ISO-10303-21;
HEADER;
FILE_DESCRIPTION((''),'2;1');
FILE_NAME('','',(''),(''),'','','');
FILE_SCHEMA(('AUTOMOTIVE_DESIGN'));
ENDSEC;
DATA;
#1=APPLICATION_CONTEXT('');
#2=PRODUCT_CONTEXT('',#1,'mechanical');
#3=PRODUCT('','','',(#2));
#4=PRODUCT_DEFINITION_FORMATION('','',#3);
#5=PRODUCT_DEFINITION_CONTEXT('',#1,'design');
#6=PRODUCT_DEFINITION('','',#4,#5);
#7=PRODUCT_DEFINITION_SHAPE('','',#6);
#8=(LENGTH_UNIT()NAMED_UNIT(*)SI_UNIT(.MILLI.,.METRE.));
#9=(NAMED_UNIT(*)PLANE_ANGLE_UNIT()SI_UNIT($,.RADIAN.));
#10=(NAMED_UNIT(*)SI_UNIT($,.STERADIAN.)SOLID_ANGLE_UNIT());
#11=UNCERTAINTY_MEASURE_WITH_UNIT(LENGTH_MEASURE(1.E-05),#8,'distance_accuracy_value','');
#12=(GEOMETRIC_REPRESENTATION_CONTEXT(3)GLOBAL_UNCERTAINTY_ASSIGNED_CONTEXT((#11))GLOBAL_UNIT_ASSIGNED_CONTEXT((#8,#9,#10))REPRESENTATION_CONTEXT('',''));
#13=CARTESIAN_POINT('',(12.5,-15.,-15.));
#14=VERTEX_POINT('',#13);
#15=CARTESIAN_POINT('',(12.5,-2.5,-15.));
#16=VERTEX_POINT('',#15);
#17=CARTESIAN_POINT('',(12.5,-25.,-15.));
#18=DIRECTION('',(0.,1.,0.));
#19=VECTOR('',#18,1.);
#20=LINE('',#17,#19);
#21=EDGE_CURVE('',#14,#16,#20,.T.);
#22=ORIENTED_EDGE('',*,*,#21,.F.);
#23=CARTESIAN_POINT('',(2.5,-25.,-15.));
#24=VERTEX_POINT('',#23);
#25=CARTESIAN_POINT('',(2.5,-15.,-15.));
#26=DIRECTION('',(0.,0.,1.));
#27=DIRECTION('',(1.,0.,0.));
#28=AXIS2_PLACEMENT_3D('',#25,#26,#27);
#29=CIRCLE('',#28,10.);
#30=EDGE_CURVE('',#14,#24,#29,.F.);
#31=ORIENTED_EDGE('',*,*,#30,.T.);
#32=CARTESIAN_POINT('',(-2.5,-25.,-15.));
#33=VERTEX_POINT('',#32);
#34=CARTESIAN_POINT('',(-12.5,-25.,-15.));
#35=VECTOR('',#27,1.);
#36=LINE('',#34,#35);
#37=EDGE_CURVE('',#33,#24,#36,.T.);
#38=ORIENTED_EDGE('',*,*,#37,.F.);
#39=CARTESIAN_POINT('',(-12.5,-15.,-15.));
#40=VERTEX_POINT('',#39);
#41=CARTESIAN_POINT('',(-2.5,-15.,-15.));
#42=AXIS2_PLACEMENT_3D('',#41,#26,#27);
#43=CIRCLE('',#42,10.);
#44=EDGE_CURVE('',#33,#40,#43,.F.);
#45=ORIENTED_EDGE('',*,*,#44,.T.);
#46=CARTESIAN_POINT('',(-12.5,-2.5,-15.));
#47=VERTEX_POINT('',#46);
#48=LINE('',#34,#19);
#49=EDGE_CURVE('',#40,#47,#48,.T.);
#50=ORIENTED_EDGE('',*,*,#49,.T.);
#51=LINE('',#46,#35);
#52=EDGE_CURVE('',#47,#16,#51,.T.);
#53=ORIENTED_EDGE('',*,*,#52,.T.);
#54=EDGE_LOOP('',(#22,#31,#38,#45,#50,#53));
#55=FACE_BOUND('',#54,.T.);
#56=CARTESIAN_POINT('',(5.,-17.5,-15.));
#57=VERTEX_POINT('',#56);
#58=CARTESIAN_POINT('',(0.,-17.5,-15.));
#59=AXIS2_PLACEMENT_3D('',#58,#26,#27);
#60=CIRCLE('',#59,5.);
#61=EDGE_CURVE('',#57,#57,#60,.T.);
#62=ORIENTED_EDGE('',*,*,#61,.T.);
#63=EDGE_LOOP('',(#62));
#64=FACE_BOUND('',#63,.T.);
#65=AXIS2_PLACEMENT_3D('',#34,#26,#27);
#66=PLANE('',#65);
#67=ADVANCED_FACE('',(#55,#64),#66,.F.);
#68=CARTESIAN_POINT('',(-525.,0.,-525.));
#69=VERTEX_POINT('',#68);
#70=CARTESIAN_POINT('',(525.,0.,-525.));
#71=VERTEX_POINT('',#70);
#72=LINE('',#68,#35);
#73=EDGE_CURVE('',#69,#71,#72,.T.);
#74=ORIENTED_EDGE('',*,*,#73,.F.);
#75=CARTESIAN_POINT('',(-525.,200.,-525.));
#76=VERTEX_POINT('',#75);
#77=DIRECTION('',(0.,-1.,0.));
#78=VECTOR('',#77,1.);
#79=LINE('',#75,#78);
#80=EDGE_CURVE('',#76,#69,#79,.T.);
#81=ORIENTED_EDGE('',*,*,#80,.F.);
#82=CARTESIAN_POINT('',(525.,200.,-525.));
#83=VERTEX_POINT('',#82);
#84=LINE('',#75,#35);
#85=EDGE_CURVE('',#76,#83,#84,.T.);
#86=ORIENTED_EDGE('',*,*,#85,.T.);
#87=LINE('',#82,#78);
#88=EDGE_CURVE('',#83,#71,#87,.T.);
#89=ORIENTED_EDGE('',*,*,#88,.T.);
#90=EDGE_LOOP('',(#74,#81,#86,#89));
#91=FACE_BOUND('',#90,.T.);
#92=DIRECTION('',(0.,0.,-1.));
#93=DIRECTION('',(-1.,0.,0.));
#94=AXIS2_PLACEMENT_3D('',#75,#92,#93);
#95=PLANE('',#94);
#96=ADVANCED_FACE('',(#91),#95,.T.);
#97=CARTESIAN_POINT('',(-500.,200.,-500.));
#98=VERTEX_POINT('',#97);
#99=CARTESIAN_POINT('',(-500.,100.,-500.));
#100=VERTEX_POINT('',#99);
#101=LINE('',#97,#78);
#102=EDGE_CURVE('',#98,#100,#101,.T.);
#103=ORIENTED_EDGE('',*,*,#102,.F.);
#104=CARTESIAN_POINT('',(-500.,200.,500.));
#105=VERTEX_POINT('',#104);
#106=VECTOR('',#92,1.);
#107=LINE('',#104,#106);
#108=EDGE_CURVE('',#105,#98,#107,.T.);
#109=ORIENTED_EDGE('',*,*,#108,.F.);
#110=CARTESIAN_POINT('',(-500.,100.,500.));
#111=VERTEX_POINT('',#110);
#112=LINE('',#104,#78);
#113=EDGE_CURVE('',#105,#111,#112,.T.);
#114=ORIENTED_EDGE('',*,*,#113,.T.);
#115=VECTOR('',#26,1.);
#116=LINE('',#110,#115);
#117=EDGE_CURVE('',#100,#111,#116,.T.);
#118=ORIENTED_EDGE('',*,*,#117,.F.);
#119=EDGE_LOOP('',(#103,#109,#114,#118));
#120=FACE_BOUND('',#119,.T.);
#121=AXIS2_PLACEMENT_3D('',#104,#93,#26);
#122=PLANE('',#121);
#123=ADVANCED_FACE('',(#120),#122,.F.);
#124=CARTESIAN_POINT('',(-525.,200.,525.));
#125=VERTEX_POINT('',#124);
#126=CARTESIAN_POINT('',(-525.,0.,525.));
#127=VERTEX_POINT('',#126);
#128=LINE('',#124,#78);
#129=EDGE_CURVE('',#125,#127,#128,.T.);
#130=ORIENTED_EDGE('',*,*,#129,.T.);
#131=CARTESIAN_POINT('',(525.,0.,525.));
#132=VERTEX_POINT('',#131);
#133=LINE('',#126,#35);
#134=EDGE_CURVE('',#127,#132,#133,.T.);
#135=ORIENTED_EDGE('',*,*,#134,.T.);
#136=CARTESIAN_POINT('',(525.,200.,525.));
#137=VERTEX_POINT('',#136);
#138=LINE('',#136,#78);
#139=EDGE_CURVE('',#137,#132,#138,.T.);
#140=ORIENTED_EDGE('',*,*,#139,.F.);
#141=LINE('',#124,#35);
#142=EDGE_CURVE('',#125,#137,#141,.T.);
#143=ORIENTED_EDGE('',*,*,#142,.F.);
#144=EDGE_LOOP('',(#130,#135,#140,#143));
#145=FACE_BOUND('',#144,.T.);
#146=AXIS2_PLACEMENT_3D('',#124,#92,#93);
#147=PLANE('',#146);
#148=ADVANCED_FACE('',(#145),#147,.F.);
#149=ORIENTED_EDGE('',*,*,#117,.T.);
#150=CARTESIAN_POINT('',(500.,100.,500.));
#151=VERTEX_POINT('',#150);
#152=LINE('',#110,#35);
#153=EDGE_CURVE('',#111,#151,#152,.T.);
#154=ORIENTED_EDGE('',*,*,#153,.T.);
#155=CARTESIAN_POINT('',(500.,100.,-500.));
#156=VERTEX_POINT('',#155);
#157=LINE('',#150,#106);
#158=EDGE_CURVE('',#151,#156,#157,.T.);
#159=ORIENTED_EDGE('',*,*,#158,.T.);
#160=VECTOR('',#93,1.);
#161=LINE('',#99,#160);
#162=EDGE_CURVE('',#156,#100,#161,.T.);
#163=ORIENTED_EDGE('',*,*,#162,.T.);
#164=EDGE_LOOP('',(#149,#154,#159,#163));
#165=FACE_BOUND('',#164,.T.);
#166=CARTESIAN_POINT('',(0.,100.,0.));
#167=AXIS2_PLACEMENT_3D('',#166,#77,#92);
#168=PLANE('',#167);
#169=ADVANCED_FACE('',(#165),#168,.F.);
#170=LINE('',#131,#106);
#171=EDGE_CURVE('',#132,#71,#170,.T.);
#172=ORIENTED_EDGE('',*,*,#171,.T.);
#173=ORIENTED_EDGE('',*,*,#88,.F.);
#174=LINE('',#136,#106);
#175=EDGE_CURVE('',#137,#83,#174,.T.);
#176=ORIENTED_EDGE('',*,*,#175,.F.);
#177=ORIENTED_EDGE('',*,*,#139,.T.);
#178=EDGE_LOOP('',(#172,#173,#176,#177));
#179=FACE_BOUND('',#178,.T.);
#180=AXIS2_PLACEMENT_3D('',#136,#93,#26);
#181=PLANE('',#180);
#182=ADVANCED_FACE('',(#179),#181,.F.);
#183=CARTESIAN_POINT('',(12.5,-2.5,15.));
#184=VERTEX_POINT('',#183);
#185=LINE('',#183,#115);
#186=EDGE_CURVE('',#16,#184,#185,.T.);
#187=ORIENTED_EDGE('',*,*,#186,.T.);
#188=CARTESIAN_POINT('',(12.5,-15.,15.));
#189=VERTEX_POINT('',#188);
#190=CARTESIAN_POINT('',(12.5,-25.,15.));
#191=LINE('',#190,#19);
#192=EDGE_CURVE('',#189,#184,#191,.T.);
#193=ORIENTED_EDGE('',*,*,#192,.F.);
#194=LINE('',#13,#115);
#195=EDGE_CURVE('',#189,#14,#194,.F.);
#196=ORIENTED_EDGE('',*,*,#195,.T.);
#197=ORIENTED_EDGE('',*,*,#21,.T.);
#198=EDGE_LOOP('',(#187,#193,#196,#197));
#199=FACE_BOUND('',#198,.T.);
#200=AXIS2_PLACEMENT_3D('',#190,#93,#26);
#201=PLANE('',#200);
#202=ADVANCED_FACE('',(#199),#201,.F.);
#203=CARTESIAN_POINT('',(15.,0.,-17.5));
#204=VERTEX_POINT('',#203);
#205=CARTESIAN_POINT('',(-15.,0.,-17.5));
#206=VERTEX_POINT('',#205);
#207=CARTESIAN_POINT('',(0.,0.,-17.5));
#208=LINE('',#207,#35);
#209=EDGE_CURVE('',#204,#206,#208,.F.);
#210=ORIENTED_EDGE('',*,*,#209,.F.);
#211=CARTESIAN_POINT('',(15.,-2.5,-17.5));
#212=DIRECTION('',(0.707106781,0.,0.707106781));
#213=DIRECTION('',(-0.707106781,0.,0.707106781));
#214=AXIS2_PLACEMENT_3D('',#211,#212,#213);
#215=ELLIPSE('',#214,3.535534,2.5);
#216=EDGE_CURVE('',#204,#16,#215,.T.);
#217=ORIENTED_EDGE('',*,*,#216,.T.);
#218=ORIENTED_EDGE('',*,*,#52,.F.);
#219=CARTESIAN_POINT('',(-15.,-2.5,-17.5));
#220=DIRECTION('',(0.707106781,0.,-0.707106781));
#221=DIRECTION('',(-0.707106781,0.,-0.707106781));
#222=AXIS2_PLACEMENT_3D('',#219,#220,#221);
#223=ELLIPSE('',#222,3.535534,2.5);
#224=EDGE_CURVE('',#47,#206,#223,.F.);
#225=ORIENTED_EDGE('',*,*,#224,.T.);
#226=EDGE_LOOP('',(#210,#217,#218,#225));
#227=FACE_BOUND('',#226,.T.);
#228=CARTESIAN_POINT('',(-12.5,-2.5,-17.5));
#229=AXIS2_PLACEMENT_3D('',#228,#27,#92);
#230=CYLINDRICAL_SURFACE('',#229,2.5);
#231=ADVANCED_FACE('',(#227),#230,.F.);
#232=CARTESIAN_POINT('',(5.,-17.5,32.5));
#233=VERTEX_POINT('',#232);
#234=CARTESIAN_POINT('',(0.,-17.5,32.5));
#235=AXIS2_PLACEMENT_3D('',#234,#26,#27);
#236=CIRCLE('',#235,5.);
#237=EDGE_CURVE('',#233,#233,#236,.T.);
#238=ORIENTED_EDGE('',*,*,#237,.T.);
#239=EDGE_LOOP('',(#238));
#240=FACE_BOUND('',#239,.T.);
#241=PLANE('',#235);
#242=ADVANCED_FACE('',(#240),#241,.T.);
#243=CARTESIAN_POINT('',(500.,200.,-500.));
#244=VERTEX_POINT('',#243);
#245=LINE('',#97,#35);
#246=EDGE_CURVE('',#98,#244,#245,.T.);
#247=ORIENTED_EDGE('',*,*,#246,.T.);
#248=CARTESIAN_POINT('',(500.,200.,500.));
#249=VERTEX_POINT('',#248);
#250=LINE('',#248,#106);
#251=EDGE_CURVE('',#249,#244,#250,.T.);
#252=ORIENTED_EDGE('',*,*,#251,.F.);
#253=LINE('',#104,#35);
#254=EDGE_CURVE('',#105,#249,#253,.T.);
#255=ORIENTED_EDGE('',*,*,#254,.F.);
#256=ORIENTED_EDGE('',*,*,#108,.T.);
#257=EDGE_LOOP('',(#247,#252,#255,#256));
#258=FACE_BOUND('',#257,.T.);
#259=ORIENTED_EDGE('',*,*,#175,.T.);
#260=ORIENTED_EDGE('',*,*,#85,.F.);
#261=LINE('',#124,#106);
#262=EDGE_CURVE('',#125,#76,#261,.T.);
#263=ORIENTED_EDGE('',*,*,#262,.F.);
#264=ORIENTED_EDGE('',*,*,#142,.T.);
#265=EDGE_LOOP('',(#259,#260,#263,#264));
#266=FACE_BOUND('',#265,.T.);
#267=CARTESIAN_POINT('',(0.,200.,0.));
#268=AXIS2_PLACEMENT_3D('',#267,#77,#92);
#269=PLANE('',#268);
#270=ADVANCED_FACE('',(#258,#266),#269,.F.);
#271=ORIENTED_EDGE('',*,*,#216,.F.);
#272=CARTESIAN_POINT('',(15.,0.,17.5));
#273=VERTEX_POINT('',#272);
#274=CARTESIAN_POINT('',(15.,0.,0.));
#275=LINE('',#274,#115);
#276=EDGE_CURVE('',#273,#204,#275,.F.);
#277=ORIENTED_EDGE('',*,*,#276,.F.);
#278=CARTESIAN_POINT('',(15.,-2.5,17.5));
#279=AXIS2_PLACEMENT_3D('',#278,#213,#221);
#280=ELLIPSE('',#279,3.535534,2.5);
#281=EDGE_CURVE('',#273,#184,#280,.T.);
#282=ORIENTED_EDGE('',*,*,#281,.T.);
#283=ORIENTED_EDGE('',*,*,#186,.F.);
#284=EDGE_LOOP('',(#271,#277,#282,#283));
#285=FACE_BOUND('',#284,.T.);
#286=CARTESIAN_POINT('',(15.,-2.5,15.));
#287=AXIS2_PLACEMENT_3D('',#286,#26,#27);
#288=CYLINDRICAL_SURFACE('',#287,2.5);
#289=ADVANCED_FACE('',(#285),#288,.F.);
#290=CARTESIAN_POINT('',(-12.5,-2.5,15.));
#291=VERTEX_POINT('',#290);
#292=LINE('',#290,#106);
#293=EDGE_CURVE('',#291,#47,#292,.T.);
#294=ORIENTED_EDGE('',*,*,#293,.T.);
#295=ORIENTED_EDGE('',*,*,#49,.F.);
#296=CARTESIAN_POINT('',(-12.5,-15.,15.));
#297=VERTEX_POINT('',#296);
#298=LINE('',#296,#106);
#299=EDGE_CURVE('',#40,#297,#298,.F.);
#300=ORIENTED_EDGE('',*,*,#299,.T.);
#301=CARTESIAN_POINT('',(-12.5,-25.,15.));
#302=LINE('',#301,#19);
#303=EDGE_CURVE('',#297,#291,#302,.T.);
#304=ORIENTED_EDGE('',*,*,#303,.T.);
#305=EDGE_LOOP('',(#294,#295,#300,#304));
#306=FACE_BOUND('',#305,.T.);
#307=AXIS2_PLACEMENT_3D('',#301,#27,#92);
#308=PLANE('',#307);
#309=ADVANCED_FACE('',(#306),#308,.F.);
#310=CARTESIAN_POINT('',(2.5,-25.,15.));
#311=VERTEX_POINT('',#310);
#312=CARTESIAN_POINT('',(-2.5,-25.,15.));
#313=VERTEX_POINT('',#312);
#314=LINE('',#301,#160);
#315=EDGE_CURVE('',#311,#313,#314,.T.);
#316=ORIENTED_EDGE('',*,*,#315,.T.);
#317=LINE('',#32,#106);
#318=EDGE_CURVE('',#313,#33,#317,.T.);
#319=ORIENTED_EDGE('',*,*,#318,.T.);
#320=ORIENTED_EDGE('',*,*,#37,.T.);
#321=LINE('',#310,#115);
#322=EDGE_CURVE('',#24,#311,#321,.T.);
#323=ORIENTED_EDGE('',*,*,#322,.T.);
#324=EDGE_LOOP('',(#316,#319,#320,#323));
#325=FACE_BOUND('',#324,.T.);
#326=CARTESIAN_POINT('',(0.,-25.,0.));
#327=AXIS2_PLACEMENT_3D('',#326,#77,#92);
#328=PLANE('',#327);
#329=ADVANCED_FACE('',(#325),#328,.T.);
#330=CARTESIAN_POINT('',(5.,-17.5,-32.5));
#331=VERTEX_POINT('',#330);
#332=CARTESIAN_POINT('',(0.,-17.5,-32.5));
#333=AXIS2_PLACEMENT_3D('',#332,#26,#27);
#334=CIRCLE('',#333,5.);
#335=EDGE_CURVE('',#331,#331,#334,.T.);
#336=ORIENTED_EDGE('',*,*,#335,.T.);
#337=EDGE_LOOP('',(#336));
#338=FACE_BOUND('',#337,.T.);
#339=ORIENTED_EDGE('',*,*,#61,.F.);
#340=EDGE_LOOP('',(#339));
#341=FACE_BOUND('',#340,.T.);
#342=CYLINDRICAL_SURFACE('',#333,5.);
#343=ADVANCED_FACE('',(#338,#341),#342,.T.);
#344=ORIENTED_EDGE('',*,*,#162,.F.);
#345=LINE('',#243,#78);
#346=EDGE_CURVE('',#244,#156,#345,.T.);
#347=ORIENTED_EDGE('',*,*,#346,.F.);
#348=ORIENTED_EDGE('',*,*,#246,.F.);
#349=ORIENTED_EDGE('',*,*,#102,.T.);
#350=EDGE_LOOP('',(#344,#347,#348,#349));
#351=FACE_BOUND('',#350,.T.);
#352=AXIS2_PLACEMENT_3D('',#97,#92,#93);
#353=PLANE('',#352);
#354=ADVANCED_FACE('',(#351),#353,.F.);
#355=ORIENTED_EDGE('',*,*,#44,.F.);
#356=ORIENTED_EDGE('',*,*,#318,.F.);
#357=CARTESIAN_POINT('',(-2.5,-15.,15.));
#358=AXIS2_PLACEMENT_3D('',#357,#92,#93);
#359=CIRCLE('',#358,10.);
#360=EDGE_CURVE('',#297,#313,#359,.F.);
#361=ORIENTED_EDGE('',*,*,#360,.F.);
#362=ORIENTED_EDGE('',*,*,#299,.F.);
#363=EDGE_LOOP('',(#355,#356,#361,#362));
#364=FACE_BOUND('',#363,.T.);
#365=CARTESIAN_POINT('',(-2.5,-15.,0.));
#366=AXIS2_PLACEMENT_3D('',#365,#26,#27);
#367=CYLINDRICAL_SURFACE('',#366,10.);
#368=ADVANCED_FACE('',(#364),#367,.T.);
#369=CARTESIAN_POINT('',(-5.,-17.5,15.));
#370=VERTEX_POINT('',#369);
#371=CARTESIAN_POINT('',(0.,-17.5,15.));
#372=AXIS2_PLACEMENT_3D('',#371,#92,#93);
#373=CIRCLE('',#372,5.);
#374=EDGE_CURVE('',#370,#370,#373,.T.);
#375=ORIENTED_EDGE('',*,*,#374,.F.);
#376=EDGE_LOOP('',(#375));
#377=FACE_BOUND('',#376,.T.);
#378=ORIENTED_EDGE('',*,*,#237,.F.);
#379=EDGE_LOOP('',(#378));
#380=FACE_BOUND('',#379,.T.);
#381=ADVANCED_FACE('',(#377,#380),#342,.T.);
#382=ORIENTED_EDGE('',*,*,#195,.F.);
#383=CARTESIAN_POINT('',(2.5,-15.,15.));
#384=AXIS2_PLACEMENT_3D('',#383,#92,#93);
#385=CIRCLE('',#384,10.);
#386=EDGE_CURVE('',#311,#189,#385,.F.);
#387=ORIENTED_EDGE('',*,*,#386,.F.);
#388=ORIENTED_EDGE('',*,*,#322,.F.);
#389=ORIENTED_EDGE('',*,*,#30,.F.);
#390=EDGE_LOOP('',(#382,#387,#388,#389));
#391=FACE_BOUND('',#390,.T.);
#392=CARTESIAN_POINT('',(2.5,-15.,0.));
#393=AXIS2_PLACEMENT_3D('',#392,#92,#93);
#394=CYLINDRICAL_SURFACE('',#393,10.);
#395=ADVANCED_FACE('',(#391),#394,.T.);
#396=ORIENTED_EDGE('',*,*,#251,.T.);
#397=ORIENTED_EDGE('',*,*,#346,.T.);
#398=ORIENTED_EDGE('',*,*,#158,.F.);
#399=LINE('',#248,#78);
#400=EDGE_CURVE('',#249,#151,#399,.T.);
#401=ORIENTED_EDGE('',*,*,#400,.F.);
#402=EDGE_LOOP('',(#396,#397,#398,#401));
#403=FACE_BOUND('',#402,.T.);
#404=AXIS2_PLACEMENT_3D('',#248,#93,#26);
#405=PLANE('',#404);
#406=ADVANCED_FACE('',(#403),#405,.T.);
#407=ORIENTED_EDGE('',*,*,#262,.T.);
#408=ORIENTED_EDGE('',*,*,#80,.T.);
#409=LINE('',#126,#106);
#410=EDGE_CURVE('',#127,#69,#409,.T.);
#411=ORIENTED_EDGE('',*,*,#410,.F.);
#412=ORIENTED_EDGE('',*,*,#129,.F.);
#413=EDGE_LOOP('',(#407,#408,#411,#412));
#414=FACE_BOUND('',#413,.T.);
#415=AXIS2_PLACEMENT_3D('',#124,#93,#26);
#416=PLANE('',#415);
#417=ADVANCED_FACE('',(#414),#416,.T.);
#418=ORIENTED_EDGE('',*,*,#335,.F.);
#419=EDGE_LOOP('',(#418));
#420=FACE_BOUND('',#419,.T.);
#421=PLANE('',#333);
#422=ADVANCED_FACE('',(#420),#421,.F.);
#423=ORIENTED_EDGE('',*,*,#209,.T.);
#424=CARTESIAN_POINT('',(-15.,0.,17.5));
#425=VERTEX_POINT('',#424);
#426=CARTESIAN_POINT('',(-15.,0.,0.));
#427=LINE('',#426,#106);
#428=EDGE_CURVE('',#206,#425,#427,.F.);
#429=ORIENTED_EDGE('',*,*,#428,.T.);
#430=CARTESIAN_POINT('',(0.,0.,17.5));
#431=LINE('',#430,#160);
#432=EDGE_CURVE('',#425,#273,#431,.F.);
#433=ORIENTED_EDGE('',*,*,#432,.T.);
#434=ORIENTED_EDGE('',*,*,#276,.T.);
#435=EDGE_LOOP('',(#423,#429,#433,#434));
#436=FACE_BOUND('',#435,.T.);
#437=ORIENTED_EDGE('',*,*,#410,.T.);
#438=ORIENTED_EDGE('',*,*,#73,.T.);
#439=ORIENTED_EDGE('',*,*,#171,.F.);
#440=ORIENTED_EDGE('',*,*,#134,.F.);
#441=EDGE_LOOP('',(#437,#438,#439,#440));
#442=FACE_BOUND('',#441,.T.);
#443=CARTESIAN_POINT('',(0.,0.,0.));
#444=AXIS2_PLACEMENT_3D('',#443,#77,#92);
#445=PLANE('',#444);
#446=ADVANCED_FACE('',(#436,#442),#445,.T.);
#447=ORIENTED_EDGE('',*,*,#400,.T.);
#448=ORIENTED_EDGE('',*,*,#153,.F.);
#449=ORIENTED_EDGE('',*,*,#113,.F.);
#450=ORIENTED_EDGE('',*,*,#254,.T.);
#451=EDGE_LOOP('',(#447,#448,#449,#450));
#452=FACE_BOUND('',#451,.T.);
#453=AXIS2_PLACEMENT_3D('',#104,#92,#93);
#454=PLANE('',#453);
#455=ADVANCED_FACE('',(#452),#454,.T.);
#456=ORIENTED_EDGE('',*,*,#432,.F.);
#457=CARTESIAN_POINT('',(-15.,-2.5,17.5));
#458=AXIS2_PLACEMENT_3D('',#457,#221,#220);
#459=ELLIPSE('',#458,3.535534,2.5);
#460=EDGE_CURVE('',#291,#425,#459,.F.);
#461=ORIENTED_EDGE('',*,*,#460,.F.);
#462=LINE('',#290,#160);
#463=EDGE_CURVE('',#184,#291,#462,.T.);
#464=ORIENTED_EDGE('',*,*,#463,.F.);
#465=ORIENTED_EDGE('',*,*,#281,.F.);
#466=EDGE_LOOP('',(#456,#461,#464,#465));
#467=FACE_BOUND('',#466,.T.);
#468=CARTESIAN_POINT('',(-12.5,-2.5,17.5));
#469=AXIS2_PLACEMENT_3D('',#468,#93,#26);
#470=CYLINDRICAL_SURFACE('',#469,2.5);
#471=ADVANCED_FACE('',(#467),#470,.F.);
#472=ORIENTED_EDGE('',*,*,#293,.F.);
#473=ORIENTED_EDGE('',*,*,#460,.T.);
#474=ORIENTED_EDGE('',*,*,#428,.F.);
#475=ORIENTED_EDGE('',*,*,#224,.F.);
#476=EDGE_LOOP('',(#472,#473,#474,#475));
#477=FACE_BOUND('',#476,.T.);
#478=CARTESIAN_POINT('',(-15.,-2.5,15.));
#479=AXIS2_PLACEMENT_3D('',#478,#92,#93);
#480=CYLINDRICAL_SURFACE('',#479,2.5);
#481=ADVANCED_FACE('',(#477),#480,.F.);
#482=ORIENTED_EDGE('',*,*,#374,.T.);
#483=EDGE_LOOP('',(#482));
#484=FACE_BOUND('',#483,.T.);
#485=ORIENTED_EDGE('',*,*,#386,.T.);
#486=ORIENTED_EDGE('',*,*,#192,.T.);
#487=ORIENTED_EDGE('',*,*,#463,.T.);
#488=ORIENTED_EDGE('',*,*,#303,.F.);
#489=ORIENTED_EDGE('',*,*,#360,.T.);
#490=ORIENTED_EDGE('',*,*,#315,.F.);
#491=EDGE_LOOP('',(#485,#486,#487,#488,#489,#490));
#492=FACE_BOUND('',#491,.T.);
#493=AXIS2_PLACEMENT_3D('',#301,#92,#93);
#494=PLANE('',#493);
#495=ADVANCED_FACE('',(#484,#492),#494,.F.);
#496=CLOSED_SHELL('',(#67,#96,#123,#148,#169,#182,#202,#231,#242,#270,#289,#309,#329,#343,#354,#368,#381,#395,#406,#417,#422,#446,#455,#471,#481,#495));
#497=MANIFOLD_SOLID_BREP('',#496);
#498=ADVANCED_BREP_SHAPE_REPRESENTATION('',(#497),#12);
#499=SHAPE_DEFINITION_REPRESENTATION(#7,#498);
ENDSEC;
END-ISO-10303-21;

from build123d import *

# Parameters (mm, degrees)
SKETCH1_W                = 1000
SKETCH1_H                = 1000
BOSS_EXTRUDE1_DEPTH      = 100
SKETCH2_W                = 1050
SKETCH2_H                = 1050
SKETCH2_W_2              = 1000
SKETCH2_H_2              = 1000
BOSS_EXTRUDE3_DEPTH      = 200
SKETCH3_W                = 25
SKETCH3_H                = 30
BOSS_EXTRUDE4_DEPTH      = 25
FILLET1_R                = 2.5
FILLET2_R                = 10
SKETCH5_R                = 5
BOSS_EXTRUDE5_DEPTH      = 32.5
BOSS_EXTRUDE5_DEPTH_BACK = 32.5


with BuildPart() as part:
    # Sketch1 → Boss-Extrude1 (new body)
    with BuildSketch(Plane(origin=(0, 0, 0), x_dir=(1, 0, 0), z_dir=(0, 1, 0))):
        Rectangle(SKETCH1_W, SKETCH1_H)
    extrude(amount=BOSS_EXTRUDE1_DEPTH)

    # Sketch2 → Boss-Extrude3 (add)
    with BuildSketch(Plane(origin=(0, 0, 0), x_dir=(1, 0, 0), z_dir=(0, 1, 0))):
        Rectangle(SKETCH2_W, SKETCH2_H)
        Rectangle(SKETCH2_W_2, SKETCH2_H_2, mode=Mode.SUBTRACT)
    extrude(amount=BOSS_EXTRUDE3_DEPTH)

    # Sketch3 → Boss-Extrude4 (add)
    with BuildSketch(Plane.XZ):
        Rectangle(SKETCH3_W, SKETCH3_H)
    extrude(amount=BOSS_EXTRUDE4_DEPTH)

    # Fillet1
    fillet1_edges = [part.edges().sort_by_distance(p)[0] for p in [
        (12.5, 0, 0),
        (0, 0, 15),
        (-12.5, 0, 0),
        (0, 0, -15),
    ]]
    fillet(fillet1_edges, radius=FILLET1_R)

    # Fillet2
    fillet2_edges = [part.edges().sort_by_distance(p)[0] for p in [
        (12.5, -25, 0),
        (-12.5, -25, 0),
    ]]
    fillet(fillet2_edges, radius=FILLET2_R)

    # Sketch5 → Boss-Extrude5 (add, two sides)
    with BuildSketch(Plane.XY) as boss_extrude5_sk:
        with Locations((0, -17.5)):
            Circle(SKETCH5_R)
    extrude(amount=BOSS_EXTRUDE5_DEPTH)
    extrude(boss_extrude5_sk.sketch, amount=-BOSS_EXTRUDE5_DEPTH_BACK)


solid = part.part
